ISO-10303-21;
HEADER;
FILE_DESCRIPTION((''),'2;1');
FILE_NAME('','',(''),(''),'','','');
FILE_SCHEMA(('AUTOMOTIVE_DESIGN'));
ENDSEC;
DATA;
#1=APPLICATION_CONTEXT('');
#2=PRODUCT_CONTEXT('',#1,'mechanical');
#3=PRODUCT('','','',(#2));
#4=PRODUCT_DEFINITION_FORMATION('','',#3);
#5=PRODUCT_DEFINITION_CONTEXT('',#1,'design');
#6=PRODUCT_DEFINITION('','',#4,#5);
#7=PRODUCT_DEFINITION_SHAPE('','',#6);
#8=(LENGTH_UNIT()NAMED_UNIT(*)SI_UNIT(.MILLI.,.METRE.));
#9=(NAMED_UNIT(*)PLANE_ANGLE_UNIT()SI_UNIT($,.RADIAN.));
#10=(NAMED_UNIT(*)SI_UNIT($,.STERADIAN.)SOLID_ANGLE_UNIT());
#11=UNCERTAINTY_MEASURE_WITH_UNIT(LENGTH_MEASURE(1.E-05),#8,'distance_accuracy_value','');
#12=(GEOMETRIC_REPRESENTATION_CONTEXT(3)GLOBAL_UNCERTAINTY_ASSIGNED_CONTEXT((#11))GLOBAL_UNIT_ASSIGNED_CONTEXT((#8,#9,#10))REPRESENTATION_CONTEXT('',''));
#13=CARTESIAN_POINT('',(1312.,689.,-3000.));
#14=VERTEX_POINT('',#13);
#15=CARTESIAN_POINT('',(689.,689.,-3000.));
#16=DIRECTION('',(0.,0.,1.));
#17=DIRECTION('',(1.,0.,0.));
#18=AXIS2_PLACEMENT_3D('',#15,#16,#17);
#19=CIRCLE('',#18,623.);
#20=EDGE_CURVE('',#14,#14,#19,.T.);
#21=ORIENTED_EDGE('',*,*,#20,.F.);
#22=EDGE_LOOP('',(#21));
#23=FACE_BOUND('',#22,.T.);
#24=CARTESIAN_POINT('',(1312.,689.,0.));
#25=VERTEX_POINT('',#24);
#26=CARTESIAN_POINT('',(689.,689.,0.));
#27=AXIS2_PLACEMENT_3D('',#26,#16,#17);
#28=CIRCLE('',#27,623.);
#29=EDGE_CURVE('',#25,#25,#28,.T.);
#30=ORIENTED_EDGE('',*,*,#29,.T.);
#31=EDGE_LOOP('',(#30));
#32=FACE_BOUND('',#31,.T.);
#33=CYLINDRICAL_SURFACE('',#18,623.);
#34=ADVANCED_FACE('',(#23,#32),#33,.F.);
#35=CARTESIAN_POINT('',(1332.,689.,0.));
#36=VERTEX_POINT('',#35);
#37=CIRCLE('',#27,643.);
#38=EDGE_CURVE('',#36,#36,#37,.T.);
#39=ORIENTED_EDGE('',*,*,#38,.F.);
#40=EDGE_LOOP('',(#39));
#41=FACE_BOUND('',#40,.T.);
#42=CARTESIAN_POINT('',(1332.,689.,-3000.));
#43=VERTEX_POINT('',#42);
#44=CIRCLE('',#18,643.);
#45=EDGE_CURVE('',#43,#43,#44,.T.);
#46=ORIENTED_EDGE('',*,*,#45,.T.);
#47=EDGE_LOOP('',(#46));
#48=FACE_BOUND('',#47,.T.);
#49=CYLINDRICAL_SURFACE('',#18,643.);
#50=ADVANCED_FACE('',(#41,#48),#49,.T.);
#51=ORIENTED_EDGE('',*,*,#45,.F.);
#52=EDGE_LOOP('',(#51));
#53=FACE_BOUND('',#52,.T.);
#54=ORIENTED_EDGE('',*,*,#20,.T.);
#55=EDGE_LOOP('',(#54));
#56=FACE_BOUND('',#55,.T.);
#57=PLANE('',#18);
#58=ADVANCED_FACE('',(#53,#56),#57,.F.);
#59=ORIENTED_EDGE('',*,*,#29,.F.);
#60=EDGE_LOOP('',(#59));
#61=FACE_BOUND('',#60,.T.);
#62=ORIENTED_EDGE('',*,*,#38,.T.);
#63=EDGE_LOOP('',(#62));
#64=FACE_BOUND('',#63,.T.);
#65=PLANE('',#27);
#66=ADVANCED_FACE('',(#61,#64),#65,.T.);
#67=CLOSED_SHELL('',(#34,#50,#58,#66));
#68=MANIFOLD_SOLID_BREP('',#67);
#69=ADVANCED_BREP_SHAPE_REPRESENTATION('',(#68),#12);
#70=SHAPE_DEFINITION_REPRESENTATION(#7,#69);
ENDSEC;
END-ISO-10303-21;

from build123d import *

# Parameters (mm, degrees)
SKETCH_1_R      = 643
SKETCH_1_R_2    = 623
EXTRUDE_1_DEPTH = 3000


with BuildPart() as part:
    # Эскиз1 → Вытянуть1 (new body)
    with BuildSketch(Plane.XY):
        with Locations((689, 689)):
            Circle(SKETCH_1_R)
        with Locations((689, 689)):
            Circle(SKETCH_1_R_2, mode=Mode.SUBTRACT)
    extrude(amount=-EXTRUDE_1_DEPTH)


solid = part.part
